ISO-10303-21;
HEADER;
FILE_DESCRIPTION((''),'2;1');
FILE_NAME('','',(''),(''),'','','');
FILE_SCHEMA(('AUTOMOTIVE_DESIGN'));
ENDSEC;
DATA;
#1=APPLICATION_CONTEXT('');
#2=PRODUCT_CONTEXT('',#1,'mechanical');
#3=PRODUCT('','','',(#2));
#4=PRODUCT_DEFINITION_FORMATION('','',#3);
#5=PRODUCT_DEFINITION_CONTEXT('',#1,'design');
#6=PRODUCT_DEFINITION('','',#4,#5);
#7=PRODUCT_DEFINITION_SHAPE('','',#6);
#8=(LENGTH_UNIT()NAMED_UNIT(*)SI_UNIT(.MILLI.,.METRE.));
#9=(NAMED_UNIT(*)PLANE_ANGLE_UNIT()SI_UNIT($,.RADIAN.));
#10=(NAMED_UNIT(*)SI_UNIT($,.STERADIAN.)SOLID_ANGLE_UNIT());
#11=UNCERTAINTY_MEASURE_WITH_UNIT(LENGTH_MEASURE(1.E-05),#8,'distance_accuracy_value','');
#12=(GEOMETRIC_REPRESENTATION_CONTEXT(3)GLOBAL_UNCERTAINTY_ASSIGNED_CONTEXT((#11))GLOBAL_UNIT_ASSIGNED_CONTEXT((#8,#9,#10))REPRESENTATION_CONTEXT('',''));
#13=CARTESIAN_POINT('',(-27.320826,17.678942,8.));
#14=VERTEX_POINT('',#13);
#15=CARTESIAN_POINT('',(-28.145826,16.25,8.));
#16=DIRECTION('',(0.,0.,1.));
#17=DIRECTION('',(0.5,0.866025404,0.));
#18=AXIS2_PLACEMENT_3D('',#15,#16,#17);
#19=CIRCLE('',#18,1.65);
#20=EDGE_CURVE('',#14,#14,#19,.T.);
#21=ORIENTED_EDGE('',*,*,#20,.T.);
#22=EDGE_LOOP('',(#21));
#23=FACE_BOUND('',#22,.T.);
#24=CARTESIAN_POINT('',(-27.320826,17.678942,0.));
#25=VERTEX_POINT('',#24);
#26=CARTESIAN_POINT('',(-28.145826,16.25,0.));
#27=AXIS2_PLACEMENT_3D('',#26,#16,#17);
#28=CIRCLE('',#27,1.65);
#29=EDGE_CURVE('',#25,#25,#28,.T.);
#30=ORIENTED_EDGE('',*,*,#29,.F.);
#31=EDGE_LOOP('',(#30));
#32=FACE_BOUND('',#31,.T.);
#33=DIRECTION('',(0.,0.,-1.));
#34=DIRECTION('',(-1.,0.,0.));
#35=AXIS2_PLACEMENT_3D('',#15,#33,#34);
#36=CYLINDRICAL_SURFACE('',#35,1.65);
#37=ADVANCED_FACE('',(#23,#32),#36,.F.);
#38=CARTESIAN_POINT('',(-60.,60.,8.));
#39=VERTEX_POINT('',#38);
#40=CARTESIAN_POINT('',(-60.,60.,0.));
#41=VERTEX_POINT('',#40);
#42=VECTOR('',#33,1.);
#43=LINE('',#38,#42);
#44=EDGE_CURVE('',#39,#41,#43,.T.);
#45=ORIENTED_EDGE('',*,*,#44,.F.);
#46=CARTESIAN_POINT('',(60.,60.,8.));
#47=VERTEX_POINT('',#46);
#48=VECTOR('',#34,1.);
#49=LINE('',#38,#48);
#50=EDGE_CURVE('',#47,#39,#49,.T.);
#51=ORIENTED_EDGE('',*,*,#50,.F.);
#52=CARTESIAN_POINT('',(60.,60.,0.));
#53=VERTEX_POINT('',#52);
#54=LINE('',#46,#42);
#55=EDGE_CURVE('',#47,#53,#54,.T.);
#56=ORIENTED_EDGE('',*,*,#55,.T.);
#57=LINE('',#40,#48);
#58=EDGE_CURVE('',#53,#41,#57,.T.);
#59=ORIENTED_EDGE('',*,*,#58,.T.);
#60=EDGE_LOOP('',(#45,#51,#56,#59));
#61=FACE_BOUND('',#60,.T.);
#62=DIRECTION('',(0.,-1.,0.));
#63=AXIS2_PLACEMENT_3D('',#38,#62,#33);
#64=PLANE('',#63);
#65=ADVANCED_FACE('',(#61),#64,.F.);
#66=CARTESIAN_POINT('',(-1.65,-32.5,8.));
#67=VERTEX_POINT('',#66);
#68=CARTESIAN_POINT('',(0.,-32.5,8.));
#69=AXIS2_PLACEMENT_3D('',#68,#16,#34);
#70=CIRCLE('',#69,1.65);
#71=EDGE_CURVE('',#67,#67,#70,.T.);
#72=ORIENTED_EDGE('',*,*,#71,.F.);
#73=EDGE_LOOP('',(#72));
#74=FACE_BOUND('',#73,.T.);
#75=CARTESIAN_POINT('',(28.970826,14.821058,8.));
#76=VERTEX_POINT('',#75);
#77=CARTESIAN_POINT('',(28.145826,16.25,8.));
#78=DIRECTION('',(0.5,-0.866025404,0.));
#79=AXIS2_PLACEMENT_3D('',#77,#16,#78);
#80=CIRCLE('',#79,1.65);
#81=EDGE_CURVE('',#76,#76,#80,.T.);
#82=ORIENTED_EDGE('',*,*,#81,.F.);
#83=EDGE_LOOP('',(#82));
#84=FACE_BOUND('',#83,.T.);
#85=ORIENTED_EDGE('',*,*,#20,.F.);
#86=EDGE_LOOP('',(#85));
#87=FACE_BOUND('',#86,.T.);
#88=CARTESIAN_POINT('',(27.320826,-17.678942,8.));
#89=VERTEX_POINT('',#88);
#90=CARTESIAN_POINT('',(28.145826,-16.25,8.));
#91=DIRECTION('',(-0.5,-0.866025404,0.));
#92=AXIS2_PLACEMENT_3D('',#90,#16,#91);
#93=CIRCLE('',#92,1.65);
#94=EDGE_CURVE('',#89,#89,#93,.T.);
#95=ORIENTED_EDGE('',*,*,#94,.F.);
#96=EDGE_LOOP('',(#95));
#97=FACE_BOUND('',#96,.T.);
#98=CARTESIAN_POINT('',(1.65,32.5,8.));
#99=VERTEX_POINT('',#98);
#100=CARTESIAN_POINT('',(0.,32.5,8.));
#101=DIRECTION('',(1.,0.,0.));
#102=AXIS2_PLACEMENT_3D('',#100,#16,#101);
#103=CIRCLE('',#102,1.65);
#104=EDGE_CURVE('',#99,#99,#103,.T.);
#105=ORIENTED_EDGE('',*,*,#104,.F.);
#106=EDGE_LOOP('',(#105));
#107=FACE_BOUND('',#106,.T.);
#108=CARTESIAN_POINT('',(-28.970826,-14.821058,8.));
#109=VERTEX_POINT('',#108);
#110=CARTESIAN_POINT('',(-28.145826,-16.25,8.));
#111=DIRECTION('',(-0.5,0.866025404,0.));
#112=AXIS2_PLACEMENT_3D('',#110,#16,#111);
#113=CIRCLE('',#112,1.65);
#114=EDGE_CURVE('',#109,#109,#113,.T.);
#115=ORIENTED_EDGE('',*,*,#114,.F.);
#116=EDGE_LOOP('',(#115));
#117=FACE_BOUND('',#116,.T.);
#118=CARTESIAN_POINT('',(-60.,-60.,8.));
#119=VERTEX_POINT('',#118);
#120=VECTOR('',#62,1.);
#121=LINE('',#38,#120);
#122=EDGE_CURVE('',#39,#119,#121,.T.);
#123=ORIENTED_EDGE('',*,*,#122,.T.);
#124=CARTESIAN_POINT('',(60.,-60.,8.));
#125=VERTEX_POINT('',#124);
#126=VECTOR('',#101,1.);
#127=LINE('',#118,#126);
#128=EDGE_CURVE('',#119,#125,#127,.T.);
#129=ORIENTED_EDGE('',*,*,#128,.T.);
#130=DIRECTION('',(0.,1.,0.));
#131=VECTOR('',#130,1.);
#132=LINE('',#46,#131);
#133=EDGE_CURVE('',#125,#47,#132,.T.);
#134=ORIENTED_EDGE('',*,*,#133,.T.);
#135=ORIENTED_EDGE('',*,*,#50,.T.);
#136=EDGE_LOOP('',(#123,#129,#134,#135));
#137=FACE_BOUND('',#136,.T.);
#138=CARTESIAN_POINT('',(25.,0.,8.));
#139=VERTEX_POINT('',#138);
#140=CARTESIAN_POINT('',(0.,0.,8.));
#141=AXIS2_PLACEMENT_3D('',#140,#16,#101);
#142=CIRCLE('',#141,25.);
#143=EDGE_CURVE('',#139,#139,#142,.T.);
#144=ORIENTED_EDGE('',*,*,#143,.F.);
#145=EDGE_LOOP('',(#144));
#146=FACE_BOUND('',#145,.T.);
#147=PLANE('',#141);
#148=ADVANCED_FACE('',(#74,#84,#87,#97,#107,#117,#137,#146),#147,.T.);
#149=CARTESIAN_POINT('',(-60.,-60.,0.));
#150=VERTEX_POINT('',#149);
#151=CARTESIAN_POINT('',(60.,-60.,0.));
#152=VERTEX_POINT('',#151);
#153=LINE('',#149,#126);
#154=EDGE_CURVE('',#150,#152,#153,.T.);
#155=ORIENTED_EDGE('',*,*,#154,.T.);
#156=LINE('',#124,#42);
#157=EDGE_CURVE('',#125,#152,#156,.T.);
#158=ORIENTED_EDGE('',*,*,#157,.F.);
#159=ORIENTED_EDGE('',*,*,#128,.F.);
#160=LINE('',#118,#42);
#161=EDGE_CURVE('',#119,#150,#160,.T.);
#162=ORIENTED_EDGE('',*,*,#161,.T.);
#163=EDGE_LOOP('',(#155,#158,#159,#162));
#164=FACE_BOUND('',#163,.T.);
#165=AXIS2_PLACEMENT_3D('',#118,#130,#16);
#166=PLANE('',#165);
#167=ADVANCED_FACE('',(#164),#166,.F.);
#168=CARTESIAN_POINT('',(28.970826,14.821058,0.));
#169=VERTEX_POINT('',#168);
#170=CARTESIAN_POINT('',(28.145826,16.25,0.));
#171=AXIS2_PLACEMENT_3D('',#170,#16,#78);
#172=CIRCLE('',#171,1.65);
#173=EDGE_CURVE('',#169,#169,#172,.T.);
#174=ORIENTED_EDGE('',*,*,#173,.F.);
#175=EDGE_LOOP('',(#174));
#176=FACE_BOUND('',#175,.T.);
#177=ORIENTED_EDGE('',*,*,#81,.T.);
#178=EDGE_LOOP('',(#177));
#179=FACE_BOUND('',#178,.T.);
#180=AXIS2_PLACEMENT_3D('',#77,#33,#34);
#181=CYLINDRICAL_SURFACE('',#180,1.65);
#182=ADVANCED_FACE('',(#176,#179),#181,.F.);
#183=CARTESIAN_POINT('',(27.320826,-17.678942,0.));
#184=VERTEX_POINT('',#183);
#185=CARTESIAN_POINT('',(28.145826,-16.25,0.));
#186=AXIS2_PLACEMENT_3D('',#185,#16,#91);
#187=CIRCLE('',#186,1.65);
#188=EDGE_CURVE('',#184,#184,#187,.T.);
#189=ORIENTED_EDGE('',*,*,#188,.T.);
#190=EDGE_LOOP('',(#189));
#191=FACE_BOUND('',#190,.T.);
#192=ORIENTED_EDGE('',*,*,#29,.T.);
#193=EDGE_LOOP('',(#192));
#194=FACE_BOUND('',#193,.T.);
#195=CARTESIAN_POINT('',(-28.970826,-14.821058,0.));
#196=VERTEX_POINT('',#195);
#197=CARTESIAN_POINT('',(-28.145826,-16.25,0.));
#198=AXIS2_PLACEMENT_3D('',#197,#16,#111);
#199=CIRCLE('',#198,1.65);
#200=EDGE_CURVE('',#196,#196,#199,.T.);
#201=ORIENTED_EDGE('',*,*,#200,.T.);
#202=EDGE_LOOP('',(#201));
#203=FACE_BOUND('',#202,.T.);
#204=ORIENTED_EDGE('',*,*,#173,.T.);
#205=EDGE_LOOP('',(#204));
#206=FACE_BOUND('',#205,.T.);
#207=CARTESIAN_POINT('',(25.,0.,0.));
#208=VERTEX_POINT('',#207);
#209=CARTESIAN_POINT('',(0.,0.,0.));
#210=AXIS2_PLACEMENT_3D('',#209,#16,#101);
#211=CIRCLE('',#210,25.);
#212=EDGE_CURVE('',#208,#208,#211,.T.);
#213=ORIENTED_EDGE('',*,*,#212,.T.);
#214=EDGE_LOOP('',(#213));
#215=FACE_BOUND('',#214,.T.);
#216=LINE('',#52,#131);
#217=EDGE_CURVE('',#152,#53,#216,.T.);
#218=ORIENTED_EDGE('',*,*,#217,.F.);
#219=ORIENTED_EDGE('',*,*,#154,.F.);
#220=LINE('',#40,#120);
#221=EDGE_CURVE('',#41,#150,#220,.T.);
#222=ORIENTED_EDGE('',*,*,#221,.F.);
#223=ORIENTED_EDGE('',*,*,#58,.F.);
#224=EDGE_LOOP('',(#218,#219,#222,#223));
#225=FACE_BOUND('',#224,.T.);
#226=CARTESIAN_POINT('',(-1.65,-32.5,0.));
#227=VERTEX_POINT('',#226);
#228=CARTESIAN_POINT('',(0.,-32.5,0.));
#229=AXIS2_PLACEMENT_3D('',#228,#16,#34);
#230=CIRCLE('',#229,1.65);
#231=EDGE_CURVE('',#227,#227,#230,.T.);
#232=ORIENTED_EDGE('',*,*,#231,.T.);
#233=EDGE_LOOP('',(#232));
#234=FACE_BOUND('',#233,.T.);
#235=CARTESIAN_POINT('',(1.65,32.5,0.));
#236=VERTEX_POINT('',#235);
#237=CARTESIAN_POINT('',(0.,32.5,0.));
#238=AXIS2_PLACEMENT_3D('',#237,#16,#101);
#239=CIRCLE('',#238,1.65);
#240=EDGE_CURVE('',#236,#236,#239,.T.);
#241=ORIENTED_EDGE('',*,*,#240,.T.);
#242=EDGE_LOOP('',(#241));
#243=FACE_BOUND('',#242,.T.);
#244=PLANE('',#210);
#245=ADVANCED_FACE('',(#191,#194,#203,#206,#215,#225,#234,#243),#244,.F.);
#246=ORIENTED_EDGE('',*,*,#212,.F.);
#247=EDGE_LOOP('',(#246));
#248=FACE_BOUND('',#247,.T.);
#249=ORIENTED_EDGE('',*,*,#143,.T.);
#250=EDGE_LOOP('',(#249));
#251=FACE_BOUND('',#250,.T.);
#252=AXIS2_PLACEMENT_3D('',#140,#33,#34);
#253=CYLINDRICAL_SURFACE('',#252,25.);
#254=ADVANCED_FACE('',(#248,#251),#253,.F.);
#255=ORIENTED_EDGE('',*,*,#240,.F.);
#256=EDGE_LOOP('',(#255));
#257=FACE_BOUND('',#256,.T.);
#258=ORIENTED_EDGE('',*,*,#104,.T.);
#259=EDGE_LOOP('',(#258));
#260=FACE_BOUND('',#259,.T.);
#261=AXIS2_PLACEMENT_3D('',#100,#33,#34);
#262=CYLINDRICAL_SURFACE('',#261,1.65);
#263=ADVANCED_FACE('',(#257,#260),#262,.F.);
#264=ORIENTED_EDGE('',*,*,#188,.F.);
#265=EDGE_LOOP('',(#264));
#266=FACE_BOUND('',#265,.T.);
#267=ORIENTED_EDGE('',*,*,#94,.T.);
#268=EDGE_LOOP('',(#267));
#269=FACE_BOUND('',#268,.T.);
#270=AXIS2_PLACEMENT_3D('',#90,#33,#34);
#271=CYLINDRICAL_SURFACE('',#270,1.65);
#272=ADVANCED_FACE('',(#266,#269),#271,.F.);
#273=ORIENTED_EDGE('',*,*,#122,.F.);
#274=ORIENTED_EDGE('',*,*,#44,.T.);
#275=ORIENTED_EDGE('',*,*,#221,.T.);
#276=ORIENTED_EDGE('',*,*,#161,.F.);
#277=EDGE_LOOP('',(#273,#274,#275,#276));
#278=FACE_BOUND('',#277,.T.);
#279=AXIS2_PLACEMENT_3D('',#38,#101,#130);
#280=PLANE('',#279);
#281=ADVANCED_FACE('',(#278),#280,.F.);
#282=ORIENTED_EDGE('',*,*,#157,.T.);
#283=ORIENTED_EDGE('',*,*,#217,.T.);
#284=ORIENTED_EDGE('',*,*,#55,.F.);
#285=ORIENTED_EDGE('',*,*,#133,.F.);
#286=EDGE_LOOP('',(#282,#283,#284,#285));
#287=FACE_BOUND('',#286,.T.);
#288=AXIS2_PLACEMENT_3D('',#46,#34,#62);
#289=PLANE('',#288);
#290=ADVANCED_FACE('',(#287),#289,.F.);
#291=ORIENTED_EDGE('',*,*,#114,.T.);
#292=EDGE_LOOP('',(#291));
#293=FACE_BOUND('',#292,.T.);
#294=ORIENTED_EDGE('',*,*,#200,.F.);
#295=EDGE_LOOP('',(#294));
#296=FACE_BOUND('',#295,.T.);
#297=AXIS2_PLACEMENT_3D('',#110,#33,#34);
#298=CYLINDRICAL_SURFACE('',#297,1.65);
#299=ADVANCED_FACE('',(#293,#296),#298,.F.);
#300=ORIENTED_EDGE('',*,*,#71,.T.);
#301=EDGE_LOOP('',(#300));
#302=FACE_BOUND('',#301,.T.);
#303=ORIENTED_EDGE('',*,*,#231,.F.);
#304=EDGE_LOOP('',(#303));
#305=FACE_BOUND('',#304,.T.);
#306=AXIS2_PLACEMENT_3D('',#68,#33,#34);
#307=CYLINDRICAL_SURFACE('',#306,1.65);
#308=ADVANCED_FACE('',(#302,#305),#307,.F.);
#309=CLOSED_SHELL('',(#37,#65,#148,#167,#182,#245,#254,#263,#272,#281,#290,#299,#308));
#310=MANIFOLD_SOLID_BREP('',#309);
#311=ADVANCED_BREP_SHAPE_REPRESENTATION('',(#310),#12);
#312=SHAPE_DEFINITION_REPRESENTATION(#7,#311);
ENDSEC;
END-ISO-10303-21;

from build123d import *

# Parameters (mm, degrees)
SKETCH1_W           = 120
SKETCH1_H           = 120
SKETCH1_R           = 25
BOSS_EXTRUDE1_DEPTH = 8
SKETCH2_R           = 1.65
CUT_EXTRUDE2_DEPTH  = 86.229103011
CIRPATTERN1_COUNT   = 6


with BuildPart() as part:
    # Sketch1 → Boss-Extrude1 (new body)
    with BuildSketch(Plane.XY):
        Rectangle(SKETCH1_W, SKETCH1_H)
        Circle(SKETCH1_R, mode=Mode.SUBTRACT)
    extrude(amount=BOSS_EXTRUDE1_DEPTH)

    # Sketch2 → Cut-Extrude2 (cut, through all)
    with BuildSketch(Plane.XY):
        with Locations((0, 32.5)):
            Circle(SKETCH2_R)
    cut_extrude2 = extrude(amount=CUT_EXTRUDE2_DEPTH, mode=Mode.SUBTRACT)

    # CirPattern1: Cut-Extrude2 ×6 about axis
    cirpattern1_axis = Axis((0, 0, 0), (0, 0, 1))
    for i in range(1, CIRPATTERN1_COUNT):
        add(cut_extrude2.rotate(cirpattern1_axis, i * 360 / CIRPATTERN1_COUNT), mode=Mode.SUBTRACT)


solid = part.part
